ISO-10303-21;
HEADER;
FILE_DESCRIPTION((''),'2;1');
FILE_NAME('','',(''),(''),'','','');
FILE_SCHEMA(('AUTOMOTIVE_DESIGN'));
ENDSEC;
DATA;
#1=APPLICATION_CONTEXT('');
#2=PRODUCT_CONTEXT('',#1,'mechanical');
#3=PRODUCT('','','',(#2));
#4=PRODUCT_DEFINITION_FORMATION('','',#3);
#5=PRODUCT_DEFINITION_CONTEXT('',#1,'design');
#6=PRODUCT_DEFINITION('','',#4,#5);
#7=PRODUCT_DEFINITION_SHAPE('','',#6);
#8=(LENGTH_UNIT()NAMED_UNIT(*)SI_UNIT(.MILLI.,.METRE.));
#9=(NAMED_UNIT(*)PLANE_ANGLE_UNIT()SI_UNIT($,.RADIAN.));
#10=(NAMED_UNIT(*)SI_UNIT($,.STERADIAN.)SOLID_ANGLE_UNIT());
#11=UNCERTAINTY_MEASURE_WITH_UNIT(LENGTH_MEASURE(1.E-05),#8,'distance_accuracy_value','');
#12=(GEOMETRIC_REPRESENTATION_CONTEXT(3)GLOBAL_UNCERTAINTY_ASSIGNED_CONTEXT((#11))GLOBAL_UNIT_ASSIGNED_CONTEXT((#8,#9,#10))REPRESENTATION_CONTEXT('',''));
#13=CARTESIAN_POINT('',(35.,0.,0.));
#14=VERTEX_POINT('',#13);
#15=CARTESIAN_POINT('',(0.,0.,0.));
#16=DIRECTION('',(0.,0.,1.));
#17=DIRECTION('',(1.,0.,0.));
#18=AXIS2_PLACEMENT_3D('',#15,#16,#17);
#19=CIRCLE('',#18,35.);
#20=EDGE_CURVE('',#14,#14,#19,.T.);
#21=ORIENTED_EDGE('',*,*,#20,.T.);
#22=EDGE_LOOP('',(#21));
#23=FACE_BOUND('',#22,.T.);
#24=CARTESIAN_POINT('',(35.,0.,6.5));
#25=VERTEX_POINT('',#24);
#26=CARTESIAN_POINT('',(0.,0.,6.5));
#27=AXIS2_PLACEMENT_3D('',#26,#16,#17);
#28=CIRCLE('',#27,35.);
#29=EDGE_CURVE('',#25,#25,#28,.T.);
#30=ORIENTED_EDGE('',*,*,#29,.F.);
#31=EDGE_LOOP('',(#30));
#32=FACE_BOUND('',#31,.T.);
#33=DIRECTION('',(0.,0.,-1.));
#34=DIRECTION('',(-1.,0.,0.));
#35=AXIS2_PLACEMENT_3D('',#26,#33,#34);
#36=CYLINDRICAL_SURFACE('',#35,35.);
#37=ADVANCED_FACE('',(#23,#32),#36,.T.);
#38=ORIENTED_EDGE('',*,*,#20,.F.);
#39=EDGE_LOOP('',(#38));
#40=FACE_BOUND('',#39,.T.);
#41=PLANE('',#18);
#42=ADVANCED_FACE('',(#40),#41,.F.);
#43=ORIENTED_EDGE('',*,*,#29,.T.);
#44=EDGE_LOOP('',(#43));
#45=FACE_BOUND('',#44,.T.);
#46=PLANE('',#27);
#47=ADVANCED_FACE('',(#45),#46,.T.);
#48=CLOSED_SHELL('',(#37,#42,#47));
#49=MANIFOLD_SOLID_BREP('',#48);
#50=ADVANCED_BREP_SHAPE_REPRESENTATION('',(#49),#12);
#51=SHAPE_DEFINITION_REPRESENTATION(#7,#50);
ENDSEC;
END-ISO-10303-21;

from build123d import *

# Parameters (mm, degrees)
SKIZZE1_R                       = 35
AUFSATZ_LINEAR_AUSTRAGEN1_DEPTH = 6.5


with BuildPart() as part:
    # Skizze1 → Aufsatz-Linear austragen1 (new body)
    with BuildSketch(Plane.XY):
        Circle(SKIZZE1_R)
    extrude(amount=AUFSATZ_LINEAR_AUSTRAGEN1_DEPTH)


solid = part.part
